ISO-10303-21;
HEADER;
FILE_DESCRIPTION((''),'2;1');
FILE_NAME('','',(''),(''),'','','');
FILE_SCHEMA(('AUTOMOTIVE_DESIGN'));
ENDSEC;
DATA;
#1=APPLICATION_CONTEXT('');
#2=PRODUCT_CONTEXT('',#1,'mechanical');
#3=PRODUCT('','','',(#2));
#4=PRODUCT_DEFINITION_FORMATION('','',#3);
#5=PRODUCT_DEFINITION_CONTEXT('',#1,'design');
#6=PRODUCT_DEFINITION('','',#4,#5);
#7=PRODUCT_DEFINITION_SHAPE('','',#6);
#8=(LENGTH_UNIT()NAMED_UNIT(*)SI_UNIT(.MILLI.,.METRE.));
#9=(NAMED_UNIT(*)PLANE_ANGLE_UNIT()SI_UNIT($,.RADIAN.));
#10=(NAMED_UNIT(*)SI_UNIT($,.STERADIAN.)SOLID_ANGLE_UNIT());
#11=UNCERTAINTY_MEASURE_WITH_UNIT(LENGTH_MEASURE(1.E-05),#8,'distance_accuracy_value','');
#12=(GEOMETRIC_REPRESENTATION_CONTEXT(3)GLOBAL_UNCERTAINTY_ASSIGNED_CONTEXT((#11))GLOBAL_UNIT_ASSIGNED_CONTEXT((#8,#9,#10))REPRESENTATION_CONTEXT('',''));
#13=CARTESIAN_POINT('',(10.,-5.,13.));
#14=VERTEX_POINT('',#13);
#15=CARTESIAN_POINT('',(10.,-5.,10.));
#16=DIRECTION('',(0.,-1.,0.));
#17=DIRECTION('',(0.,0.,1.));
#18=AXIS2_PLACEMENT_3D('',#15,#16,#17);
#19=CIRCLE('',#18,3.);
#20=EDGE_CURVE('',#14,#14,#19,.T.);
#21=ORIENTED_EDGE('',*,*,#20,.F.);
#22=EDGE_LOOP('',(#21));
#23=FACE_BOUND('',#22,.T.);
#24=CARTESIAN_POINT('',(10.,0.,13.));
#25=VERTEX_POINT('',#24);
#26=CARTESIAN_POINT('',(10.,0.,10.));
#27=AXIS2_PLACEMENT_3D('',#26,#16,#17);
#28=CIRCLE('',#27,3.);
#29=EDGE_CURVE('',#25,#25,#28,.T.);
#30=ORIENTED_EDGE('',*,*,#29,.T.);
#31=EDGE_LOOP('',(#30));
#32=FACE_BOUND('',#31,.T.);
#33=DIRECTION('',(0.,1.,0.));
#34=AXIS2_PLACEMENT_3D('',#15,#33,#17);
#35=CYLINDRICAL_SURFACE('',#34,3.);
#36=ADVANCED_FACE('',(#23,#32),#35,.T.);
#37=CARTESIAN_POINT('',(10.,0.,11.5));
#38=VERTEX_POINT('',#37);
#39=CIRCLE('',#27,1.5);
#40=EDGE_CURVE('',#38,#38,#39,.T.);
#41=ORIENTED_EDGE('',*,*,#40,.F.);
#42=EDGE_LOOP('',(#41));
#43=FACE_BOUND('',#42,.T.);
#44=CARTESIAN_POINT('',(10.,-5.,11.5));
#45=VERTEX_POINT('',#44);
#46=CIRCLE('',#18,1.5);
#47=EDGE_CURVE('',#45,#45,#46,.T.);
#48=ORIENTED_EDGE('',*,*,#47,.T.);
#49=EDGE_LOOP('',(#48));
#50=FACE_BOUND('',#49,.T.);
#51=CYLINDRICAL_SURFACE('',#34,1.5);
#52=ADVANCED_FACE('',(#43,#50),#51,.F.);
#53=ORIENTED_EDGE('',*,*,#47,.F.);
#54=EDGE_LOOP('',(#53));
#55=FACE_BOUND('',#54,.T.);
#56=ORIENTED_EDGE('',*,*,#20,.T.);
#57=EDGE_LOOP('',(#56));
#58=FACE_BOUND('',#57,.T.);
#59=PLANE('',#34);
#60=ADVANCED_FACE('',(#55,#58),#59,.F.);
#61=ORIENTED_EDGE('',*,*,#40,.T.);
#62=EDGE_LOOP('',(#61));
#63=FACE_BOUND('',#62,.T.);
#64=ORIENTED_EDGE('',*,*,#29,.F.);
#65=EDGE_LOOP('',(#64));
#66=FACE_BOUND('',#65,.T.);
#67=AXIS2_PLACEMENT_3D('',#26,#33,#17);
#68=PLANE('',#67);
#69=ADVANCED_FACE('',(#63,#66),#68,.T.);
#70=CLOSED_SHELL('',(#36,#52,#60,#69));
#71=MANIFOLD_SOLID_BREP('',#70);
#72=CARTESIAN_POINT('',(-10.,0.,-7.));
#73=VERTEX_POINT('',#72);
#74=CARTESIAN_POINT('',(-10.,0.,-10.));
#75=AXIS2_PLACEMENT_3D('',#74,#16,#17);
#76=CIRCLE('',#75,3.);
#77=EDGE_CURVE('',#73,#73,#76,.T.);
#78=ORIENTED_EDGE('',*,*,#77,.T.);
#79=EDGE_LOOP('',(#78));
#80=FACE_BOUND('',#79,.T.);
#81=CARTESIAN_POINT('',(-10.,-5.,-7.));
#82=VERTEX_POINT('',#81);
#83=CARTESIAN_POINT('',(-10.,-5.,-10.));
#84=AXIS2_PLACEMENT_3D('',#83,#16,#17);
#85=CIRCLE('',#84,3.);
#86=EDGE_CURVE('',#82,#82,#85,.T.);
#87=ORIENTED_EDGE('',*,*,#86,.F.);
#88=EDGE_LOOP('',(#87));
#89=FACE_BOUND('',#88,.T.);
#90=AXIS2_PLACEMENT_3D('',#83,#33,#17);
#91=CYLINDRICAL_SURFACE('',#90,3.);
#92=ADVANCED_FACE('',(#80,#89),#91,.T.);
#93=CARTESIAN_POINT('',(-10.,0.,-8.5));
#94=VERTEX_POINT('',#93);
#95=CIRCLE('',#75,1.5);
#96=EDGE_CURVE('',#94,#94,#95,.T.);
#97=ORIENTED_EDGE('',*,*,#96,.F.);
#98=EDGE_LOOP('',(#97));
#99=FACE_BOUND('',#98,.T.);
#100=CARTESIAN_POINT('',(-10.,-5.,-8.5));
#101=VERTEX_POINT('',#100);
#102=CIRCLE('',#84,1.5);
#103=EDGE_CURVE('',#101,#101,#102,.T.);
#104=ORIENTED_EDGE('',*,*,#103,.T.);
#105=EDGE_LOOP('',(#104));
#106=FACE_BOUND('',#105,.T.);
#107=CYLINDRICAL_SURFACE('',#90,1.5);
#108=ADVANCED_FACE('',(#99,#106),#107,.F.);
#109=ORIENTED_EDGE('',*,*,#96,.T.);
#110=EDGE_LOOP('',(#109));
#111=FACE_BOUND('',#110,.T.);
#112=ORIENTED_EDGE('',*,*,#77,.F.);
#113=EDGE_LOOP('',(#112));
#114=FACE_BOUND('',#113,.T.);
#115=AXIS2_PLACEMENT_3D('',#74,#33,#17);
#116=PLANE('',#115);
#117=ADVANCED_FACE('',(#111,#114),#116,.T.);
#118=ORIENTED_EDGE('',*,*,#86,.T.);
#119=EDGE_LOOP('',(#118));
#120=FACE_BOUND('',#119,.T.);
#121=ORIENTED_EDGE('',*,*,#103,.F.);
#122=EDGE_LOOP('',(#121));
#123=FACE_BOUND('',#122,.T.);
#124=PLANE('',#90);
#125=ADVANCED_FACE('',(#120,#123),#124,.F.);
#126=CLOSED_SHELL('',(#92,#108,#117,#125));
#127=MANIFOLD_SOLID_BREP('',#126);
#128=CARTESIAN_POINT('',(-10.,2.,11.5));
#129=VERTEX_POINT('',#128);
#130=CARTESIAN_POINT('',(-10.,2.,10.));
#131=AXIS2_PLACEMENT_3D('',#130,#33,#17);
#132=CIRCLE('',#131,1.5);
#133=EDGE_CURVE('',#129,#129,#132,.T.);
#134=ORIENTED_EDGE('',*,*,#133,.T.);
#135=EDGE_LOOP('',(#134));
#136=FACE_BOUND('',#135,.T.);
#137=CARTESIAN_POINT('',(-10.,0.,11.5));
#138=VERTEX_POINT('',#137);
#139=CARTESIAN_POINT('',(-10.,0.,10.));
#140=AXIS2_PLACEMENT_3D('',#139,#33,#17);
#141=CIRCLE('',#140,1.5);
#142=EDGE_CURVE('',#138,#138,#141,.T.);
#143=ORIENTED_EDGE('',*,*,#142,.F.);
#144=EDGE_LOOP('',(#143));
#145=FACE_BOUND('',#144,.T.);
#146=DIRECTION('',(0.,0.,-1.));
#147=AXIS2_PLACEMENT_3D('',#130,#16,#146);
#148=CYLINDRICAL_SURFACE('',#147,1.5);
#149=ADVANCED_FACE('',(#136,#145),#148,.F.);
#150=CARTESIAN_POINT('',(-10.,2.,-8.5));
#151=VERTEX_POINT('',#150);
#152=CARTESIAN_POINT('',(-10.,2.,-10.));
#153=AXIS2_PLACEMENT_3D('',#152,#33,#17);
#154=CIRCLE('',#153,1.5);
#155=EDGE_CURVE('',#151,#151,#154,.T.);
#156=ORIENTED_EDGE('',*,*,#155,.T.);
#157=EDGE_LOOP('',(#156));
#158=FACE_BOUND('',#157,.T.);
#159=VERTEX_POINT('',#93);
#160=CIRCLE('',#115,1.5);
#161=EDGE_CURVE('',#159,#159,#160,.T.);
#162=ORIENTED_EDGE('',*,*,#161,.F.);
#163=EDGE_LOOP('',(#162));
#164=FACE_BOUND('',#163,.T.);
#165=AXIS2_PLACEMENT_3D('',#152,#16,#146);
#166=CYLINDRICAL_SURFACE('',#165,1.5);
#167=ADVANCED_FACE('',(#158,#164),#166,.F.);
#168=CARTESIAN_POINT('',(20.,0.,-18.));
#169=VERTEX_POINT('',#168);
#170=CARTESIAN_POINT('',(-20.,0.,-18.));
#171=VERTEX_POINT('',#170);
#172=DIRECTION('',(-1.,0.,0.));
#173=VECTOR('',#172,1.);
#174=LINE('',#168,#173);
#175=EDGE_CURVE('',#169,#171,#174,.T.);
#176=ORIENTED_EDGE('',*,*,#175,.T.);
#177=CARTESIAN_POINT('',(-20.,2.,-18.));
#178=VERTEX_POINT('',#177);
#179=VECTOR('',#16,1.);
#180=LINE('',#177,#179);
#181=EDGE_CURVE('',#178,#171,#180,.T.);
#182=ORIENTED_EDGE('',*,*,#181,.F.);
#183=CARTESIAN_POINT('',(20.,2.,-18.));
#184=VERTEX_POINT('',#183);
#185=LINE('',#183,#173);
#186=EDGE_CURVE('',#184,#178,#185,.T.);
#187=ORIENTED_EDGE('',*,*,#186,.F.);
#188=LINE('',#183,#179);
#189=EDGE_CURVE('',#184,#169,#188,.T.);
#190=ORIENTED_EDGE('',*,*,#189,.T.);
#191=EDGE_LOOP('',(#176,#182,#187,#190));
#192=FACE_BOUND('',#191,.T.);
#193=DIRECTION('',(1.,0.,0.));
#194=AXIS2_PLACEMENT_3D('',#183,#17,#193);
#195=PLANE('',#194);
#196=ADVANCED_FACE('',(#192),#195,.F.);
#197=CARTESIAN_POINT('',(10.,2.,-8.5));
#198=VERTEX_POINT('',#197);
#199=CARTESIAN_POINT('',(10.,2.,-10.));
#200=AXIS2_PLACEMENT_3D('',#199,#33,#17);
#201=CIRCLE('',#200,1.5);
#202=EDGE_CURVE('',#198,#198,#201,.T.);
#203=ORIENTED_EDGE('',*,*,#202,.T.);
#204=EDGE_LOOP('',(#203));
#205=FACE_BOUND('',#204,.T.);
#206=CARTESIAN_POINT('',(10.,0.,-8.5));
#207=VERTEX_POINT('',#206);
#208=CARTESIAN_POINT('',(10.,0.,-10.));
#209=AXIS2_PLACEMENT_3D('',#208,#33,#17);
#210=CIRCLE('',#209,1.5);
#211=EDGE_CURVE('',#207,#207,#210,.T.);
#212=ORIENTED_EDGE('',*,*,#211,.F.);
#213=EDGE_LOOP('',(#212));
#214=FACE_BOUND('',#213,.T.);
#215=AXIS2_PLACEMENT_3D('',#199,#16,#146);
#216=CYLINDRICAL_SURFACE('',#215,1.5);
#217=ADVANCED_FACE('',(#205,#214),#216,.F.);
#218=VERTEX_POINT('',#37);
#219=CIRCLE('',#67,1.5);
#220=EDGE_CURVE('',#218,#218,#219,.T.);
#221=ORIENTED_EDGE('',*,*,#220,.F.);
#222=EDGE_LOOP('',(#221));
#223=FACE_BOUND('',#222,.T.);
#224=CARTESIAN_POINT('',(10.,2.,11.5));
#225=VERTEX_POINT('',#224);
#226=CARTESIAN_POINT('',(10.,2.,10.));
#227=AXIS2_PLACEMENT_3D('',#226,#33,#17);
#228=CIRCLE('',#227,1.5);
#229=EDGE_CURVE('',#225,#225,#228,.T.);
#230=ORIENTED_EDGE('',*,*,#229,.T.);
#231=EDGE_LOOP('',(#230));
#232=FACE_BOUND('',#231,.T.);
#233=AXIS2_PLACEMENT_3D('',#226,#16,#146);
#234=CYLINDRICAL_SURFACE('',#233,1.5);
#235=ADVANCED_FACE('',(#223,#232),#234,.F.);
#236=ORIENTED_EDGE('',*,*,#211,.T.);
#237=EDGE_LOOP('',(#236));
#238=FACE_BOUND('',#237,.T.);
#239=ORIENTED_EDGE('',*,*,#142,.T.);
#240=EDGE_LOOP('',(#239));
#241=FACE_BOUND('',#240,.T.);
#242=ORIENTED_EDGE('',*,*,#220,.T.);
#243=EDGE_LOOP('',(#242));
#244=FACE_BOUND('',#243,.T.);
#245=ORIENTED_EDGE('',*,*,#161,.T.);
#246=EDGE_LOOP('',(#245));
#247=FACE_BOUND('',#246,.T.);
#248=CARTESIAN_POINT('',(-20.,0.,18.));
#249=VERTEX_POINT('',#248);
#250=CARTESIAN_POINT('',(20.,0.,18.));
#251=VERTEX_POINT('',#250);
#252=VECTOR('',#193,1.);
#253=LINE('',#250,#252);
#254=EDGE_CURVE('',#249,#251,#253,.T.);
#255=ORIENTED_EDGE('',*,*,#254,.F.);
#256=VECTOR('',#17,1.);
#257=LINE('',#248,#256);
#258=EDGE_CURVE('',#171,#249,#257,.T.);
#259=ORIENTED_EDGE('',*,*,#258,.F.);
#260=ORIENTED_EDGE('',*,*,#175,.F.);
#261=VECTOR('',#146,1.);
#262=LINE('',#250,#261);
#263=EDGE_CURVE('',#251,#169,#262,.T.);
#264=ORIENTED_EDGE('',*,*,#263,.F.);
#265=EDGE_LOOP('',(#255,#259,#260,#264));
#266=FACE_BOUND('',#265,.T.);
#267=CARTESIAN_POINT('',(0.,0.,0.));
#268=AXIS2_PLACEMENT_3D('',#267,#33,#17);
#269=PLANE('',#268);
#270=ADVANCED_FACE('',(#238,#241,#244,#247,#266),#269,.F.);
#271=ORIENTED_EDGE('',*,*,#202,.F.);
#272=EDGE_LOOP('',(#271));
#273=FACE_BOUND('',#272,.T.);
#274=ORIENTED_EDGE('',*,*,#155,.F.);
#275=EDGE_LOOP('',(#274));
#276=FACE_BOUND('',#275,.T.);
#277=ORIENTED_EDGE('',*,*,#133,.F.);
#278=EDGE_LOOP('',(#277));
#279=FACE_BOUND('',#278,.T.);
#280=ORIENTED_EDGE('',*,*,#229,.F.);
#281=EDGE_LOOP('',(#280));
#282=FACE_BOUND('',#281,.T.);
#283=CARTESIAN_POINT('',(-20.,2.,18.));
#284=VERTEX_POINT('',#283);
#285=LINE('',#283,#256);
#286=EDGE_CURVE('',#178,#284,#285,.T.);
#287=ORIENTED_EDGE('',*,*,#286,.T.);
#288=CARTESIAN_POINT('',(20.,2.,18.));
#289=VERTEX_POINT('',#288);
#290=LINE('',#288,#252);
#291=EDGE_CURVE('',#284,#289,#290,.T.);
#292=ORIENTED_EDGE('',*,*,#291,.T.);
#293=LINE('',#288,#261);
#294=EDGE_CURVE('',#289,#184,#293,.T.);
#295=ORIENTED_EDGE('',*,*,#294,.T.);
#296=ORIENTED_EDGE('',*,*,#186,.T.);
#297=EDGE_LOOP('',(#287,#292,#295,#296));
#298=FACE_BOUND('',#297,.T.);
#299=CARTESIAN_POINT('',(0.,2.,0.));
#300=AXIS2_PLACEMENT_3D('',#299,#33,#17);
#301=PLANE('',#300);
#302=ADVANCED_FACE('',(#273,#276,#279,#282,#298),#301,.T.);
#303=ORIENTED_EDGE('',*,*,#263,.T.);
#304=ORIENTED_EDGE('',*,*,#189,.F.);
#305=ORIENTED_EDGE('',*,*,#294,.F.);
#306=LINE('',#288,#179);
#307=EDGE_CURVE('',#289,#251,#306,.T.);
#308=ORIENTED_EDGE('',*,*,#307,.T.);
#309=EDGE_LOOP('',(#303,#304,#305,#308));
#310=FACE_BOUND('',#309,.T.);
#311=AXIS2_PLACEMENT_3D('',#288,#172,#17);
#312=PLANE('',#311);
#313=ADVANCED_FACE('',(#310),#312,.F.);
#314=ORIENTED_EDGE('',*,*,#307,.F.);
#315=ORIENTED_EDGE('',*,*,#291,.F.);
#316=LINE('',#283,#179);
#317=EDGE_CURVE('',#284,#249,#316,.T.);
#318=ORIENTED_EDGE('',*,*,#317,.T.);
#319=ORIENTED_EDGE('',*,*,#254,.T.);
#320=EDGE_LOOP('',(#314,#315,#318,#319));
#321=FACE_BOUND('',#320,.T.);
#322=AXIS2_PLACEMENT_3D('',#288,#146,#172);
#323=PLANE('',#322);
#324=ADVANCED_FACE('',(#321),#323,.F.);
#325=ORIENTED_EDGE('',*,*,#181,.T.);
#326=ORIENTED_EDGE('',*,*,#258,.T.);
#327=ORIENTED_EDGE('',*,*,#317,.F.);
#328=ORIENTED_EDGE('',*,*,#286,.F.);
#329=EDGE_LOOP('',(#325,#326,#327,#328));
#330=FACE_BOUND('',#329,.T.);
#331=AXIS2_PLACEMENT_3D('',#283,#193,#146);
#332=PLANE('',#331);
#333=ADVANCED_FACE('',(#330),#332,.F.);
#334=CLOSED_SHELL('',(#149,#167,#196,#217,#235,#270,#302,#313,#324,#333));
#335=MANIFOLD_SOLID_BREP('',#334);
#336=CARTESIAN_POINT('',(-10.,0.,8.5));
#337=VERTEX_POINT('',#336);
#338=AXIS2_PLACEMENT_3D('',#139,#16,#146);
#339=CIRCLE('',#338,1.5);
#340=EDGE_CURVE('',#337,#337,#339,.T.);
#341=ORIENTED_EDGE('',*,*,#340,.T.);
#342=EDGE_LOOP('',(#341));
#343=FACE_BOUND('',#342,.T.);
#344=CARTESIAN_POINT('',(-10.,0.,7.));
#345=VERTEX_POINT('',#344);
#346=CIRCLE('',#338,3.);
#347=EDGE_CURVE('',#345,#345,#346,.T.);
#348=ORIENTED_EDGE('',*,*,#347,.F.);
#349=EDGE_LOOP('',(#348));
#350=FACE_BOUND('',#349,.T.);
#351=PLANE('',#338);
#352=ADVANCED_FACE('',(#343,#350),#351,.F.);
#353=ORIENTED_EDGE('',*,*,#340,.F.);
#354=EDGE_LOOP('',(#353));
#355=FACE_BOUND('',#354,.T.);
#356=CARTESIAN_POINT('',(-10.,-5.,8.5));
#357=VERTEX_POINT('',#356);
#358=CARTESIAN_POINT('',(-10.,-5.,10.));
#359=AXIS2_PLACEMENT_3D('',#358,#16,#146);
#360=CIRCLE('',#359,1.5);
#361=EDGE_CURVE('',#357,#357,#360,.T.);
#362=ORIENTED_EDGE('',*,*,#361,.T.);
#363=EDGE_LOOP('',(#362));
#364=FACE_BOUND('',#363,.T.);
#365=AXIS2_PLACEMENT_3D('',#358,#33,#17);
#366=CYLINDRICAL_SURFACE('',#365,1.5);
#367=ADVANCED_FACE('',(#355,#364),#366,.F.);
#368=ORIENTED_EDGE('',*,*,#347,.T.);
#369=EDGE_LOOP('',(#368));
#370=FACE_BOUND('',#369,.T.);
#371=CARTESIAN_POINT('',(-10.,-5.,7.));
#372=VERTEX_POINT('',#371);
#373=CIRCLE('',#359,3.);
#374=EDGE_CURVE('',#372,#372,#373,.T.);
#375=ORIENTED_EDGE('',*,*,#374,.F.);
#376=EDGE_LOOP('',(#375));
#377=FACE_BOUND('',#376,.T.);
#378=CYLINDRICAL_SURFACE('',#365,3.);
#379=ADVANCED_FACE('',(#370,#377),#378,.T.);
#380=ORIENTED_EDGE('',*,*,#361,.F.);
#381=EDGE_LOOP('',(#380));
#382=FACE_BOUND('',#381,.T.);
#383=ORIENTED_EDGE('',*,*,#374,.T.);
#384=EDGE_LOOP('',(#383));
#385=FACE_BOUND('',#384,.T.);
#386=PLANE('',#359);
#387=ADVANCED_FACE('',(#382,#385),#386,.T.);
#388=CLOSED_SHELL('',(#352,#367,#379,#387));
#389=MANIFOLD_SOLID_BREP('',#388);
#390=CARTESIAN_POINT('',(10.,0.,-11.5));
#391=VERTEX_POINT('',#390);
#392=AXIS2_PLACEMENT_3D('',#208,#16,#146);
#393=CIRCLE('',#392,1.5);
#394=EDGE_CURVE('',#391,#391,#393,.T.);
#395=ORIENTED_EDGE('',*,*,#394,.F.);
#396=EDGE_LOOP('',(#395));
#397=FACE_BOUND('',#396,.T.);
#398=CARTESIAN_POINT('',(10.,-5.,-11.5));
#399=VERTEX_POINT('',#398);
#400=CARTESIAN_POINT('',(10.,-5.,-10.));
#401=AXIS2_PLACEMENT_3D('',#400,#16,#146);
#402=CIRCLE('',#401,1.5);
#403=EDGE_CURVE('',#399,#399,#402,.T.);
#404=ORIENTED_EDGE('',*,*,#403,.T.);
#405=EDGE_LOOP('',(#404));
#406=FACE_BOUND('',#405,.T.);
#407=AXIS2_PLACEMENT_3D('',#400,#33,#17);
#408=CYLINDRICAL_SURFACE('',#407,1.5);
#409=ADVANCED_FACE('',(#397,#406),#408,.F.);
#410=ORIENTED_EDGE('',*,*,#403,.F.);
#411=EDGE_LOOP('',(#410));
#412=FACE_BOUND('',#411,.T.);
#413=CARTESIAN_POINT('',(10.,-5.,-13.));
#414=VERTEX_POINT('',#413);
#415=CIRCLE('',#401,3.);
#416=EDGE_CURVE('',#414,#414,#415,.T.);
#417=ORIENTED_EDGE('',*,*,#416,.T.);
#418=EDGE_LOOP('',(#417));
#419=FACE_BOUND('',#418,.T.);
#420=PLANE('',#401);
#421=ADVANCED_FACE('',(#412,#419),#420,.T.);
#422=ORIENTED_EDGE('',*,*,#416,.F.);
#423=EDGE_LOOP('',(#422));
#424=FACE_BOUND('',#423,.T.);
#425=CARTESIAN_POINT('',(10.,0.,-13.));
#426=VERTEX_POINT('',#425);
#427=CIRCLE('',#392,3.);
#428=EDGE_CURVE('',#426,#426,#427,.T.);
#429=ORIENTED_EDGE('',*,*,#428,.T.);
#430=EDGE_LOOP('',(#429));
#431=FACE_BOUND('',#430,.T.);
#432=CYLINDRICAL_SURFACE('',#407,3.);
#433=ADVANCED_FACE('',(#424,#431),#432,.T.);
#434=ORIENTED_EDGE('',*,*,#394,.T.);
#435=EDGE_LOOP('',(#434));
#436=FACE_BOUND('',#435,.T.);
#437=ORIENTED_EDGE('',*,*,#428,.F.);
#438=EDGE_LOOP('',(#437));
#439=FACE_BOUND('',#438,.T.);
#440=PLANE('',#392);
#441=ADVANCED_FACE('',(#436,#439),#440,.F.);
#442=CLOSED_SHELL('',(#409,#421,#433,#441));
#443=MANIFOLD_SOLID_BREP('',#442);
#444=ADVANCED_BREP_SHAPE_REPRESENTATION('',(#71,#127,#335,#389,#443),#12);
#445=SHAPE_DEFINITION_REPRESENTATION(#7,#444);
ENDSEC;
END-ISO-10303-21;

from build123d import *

# Parameters (mm, degrees)
SKETCH_1_W        = 40
SKETCH_1_H        = 36
SKETCH_1_R        = 1.5
EXTRUDE_1_DEPTH   = 2
SKETCH_2_R        = 3
SKETCH_2_R_2      = 1.5
EXTRUDE_2_DEPTH   = 5
EXTRUDE_2_2_DEPTH = 5
EXTRUDE_2_3_DEPTH = 5
EXTRUDE_2_4_DEPTH = 5


with BuildPart() as part:
    # 草图1 → 凸台-拉伸1 (new body)
    with BuildSketch(Plane(origin=(0, 0, 0), x_dir=(1, 0, 0), z_dir=(0, 1, 0))):
        Rectangle(SKETCH_1_W, SKETCH_1_H)
        with Locations(Location((-10, 10, 0), (0, 0, 270))):
            Circle(SKETCH_1_R, mode=Mode.SUBTRACT)
        with Locations(Location((10, 10, 0), (0, 0, 270))):
            Circle(SKETCH_1_R, mode=Mode.SUBTRACT)
        with Locations(Location((10, -10, 0), (0, 0, 270))):
            Circle(SKETCH_1_R, mode=Mode.SUBTRACT)
        with Locations(Location((-10, -10, 0), (0, 0, 270))):
            Circle(SKETCH_1_R, mode=Mode.SUBTRACT)
    extrude(amount=EXTRUDE_1_DEPTH)


with BuildPart() as body_2:
    # 草图2 → 凸台-拉伸2 (new body)
    with BuildSketch(Plane.XZ):
        with Locations(Location((-10, 10, 0), (0, 0, 270))):
            Circle(SKETCH_2_R)
        with Locations(Location((-10, 10, 0), (0, 0, 270))):
            Circle(SKETCH_2_R_2, mode=Mode.SUBTRACT)
    extrude(amount=EXTRUDE_2_DEPTH)


with BuildPart() as body_3:
    # 草图2 → Extrude 2 2 (new body)
    with BuildSketch(Plane.XZ):
        with Locations(Location((10, 10, 0), (0, 0, 90))):
            Circle(SKETCH_2_R)
        with Locations(Location((10, 10, 0), (0, 0, 90))):
            Circle(SKETCH_2_R_2, mode=Mode.SUBTRACT)
    extrude(amount=EXTRUDE_2_2_DEPTH)


with BuildPart() as body_4:
    # 草图2 → Extrude 2 3 (new body)
    with BuildSketch(Plane.XZ):
        with Locations(Location((10, -10, 0), (0, 0, 270))):
            Circle(SKETCH_2_R)
        with Locations(Location((10, -10, 0), (0, 0, 270))):
            Circle(SKETCH_2_R_2, mode=Mode.SUBTRACT)
    extrude(amount=EXTRUDE_2_3_DEPTH)


with BuildPart() as body_5:
    # 草图2 → Extrude 2 4 (new body)
    with BuildSketch(Plane.XZ):
        with Locations(Location((-10, -10, 0), (0, 0, 90))):
            Circle(SKETCH_2_R)
        with Locations(Location((-10, -10, 0), (0, 0, 90))):
            Circle(SKETCH_2_R_2, mode=Mode.SUBTRACT)
    extrude(amount=EXTRUDE_2_4_DEPTH)


solid = Compound([part.part, body_2.part, body_3.part, body_4.part, body_5.part])
